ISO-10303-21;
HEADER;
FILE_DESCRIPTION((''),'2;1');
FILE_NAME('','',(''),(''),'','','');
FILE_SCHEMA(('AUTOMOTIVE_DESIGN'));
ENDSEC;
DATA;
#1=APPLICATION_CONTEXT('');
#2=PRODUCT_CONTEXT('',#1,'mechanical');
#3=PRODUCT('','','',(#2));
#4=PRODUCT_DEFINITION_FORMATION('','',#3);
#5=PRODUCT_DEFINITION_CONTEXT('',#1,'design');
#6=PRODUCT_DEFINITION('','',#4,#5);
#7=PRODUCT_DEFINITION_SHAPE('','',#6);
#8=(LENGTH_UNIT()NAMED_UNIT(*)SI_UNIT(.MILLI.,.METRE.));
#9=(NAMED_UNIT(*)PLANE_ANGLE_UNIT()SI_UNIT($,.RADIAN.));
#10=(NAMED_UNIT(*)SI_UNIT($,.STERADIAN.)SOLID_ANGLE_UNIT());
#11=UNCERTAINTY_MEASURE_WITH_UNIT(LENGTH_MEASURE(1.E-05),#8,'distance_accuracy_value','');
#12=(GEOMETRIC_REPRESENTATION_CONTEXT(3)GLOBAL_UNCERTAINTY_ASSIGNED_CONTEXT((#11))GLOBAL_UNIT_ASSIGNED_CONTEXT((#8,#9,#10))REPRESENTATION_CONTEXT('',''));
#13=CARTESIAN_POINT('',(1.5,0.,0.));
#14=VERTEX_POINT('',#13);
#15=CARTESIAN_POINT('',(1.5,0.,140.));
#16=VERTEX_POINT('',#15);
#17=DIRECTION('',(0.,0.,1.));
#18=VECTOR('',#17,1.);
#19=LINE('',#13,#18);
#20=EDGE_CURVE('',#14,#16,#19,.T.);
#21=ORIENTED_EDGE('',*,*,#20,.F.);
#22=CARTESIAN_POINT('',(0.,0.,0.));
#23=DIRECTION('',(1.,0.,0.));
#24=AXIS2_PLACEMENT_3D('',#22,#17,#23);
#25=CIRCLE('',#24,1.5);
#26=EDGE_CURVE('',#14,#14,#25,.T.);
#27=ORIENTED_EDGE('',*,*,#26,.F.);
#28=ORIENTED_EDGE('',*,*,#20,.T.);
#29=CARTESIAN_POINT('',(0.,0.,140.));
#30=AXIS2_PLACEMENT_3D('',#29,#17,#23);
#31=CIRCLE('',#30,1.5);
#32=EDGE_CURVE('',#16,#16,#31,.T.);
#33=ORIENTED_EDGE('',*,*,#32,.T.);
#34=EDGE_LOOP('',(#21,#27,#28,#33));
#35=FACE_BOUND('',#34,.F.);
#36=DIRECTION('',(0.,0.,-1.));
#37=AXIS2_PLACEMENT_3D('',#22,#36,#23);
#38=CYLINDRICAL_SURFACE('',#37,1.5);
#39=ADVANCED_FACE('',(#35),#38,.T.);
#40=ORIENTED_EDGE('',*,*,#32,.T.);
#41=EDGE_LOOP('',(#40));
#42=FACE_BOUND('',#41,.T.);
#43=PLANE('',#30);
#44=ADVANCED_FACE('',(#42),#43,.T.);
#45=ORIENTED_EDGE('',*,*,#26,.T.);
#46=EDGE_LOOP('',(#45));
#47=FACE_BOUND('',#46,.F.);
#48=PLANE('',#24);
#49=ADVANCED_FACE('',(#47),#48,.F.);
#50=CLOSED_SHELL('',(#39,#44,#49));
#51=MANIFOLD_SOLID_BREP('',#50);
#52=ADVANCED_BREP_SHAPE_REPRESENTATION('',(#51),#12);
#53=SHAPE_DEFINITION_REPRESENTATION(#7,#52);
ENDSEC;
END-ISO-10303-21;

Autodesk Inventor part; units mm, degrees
ref_plane "YZ Plane" through (0, 0, 0) normal (1, 0, 0) x (0, 1, 0)
ref_plane "XZ Plane" through (0, 0, 0) normal (0, 1, 0) x (-1, 0, 0)
ref_plane "XY Plane" through (0, 0, 0) normal (0, 0, 1) x (1, 0, 0)
sketch "Sketch1" plane through (0, 0, 0) normal (0, 0, 1) x (1, 0, 0)
  circle A0 centre (0, 0) radius 1.5
  dimension "d0" = 3
extrude "Extrusion1" add sketch "Sketch1" along normal blind 140
thread "Thread1" size "M3x0.5" class "6g" standard "ANSI Metric M Profile" full length
properties part number "m3-pin-for-cathode-skirt" material "Stainless Steel"
